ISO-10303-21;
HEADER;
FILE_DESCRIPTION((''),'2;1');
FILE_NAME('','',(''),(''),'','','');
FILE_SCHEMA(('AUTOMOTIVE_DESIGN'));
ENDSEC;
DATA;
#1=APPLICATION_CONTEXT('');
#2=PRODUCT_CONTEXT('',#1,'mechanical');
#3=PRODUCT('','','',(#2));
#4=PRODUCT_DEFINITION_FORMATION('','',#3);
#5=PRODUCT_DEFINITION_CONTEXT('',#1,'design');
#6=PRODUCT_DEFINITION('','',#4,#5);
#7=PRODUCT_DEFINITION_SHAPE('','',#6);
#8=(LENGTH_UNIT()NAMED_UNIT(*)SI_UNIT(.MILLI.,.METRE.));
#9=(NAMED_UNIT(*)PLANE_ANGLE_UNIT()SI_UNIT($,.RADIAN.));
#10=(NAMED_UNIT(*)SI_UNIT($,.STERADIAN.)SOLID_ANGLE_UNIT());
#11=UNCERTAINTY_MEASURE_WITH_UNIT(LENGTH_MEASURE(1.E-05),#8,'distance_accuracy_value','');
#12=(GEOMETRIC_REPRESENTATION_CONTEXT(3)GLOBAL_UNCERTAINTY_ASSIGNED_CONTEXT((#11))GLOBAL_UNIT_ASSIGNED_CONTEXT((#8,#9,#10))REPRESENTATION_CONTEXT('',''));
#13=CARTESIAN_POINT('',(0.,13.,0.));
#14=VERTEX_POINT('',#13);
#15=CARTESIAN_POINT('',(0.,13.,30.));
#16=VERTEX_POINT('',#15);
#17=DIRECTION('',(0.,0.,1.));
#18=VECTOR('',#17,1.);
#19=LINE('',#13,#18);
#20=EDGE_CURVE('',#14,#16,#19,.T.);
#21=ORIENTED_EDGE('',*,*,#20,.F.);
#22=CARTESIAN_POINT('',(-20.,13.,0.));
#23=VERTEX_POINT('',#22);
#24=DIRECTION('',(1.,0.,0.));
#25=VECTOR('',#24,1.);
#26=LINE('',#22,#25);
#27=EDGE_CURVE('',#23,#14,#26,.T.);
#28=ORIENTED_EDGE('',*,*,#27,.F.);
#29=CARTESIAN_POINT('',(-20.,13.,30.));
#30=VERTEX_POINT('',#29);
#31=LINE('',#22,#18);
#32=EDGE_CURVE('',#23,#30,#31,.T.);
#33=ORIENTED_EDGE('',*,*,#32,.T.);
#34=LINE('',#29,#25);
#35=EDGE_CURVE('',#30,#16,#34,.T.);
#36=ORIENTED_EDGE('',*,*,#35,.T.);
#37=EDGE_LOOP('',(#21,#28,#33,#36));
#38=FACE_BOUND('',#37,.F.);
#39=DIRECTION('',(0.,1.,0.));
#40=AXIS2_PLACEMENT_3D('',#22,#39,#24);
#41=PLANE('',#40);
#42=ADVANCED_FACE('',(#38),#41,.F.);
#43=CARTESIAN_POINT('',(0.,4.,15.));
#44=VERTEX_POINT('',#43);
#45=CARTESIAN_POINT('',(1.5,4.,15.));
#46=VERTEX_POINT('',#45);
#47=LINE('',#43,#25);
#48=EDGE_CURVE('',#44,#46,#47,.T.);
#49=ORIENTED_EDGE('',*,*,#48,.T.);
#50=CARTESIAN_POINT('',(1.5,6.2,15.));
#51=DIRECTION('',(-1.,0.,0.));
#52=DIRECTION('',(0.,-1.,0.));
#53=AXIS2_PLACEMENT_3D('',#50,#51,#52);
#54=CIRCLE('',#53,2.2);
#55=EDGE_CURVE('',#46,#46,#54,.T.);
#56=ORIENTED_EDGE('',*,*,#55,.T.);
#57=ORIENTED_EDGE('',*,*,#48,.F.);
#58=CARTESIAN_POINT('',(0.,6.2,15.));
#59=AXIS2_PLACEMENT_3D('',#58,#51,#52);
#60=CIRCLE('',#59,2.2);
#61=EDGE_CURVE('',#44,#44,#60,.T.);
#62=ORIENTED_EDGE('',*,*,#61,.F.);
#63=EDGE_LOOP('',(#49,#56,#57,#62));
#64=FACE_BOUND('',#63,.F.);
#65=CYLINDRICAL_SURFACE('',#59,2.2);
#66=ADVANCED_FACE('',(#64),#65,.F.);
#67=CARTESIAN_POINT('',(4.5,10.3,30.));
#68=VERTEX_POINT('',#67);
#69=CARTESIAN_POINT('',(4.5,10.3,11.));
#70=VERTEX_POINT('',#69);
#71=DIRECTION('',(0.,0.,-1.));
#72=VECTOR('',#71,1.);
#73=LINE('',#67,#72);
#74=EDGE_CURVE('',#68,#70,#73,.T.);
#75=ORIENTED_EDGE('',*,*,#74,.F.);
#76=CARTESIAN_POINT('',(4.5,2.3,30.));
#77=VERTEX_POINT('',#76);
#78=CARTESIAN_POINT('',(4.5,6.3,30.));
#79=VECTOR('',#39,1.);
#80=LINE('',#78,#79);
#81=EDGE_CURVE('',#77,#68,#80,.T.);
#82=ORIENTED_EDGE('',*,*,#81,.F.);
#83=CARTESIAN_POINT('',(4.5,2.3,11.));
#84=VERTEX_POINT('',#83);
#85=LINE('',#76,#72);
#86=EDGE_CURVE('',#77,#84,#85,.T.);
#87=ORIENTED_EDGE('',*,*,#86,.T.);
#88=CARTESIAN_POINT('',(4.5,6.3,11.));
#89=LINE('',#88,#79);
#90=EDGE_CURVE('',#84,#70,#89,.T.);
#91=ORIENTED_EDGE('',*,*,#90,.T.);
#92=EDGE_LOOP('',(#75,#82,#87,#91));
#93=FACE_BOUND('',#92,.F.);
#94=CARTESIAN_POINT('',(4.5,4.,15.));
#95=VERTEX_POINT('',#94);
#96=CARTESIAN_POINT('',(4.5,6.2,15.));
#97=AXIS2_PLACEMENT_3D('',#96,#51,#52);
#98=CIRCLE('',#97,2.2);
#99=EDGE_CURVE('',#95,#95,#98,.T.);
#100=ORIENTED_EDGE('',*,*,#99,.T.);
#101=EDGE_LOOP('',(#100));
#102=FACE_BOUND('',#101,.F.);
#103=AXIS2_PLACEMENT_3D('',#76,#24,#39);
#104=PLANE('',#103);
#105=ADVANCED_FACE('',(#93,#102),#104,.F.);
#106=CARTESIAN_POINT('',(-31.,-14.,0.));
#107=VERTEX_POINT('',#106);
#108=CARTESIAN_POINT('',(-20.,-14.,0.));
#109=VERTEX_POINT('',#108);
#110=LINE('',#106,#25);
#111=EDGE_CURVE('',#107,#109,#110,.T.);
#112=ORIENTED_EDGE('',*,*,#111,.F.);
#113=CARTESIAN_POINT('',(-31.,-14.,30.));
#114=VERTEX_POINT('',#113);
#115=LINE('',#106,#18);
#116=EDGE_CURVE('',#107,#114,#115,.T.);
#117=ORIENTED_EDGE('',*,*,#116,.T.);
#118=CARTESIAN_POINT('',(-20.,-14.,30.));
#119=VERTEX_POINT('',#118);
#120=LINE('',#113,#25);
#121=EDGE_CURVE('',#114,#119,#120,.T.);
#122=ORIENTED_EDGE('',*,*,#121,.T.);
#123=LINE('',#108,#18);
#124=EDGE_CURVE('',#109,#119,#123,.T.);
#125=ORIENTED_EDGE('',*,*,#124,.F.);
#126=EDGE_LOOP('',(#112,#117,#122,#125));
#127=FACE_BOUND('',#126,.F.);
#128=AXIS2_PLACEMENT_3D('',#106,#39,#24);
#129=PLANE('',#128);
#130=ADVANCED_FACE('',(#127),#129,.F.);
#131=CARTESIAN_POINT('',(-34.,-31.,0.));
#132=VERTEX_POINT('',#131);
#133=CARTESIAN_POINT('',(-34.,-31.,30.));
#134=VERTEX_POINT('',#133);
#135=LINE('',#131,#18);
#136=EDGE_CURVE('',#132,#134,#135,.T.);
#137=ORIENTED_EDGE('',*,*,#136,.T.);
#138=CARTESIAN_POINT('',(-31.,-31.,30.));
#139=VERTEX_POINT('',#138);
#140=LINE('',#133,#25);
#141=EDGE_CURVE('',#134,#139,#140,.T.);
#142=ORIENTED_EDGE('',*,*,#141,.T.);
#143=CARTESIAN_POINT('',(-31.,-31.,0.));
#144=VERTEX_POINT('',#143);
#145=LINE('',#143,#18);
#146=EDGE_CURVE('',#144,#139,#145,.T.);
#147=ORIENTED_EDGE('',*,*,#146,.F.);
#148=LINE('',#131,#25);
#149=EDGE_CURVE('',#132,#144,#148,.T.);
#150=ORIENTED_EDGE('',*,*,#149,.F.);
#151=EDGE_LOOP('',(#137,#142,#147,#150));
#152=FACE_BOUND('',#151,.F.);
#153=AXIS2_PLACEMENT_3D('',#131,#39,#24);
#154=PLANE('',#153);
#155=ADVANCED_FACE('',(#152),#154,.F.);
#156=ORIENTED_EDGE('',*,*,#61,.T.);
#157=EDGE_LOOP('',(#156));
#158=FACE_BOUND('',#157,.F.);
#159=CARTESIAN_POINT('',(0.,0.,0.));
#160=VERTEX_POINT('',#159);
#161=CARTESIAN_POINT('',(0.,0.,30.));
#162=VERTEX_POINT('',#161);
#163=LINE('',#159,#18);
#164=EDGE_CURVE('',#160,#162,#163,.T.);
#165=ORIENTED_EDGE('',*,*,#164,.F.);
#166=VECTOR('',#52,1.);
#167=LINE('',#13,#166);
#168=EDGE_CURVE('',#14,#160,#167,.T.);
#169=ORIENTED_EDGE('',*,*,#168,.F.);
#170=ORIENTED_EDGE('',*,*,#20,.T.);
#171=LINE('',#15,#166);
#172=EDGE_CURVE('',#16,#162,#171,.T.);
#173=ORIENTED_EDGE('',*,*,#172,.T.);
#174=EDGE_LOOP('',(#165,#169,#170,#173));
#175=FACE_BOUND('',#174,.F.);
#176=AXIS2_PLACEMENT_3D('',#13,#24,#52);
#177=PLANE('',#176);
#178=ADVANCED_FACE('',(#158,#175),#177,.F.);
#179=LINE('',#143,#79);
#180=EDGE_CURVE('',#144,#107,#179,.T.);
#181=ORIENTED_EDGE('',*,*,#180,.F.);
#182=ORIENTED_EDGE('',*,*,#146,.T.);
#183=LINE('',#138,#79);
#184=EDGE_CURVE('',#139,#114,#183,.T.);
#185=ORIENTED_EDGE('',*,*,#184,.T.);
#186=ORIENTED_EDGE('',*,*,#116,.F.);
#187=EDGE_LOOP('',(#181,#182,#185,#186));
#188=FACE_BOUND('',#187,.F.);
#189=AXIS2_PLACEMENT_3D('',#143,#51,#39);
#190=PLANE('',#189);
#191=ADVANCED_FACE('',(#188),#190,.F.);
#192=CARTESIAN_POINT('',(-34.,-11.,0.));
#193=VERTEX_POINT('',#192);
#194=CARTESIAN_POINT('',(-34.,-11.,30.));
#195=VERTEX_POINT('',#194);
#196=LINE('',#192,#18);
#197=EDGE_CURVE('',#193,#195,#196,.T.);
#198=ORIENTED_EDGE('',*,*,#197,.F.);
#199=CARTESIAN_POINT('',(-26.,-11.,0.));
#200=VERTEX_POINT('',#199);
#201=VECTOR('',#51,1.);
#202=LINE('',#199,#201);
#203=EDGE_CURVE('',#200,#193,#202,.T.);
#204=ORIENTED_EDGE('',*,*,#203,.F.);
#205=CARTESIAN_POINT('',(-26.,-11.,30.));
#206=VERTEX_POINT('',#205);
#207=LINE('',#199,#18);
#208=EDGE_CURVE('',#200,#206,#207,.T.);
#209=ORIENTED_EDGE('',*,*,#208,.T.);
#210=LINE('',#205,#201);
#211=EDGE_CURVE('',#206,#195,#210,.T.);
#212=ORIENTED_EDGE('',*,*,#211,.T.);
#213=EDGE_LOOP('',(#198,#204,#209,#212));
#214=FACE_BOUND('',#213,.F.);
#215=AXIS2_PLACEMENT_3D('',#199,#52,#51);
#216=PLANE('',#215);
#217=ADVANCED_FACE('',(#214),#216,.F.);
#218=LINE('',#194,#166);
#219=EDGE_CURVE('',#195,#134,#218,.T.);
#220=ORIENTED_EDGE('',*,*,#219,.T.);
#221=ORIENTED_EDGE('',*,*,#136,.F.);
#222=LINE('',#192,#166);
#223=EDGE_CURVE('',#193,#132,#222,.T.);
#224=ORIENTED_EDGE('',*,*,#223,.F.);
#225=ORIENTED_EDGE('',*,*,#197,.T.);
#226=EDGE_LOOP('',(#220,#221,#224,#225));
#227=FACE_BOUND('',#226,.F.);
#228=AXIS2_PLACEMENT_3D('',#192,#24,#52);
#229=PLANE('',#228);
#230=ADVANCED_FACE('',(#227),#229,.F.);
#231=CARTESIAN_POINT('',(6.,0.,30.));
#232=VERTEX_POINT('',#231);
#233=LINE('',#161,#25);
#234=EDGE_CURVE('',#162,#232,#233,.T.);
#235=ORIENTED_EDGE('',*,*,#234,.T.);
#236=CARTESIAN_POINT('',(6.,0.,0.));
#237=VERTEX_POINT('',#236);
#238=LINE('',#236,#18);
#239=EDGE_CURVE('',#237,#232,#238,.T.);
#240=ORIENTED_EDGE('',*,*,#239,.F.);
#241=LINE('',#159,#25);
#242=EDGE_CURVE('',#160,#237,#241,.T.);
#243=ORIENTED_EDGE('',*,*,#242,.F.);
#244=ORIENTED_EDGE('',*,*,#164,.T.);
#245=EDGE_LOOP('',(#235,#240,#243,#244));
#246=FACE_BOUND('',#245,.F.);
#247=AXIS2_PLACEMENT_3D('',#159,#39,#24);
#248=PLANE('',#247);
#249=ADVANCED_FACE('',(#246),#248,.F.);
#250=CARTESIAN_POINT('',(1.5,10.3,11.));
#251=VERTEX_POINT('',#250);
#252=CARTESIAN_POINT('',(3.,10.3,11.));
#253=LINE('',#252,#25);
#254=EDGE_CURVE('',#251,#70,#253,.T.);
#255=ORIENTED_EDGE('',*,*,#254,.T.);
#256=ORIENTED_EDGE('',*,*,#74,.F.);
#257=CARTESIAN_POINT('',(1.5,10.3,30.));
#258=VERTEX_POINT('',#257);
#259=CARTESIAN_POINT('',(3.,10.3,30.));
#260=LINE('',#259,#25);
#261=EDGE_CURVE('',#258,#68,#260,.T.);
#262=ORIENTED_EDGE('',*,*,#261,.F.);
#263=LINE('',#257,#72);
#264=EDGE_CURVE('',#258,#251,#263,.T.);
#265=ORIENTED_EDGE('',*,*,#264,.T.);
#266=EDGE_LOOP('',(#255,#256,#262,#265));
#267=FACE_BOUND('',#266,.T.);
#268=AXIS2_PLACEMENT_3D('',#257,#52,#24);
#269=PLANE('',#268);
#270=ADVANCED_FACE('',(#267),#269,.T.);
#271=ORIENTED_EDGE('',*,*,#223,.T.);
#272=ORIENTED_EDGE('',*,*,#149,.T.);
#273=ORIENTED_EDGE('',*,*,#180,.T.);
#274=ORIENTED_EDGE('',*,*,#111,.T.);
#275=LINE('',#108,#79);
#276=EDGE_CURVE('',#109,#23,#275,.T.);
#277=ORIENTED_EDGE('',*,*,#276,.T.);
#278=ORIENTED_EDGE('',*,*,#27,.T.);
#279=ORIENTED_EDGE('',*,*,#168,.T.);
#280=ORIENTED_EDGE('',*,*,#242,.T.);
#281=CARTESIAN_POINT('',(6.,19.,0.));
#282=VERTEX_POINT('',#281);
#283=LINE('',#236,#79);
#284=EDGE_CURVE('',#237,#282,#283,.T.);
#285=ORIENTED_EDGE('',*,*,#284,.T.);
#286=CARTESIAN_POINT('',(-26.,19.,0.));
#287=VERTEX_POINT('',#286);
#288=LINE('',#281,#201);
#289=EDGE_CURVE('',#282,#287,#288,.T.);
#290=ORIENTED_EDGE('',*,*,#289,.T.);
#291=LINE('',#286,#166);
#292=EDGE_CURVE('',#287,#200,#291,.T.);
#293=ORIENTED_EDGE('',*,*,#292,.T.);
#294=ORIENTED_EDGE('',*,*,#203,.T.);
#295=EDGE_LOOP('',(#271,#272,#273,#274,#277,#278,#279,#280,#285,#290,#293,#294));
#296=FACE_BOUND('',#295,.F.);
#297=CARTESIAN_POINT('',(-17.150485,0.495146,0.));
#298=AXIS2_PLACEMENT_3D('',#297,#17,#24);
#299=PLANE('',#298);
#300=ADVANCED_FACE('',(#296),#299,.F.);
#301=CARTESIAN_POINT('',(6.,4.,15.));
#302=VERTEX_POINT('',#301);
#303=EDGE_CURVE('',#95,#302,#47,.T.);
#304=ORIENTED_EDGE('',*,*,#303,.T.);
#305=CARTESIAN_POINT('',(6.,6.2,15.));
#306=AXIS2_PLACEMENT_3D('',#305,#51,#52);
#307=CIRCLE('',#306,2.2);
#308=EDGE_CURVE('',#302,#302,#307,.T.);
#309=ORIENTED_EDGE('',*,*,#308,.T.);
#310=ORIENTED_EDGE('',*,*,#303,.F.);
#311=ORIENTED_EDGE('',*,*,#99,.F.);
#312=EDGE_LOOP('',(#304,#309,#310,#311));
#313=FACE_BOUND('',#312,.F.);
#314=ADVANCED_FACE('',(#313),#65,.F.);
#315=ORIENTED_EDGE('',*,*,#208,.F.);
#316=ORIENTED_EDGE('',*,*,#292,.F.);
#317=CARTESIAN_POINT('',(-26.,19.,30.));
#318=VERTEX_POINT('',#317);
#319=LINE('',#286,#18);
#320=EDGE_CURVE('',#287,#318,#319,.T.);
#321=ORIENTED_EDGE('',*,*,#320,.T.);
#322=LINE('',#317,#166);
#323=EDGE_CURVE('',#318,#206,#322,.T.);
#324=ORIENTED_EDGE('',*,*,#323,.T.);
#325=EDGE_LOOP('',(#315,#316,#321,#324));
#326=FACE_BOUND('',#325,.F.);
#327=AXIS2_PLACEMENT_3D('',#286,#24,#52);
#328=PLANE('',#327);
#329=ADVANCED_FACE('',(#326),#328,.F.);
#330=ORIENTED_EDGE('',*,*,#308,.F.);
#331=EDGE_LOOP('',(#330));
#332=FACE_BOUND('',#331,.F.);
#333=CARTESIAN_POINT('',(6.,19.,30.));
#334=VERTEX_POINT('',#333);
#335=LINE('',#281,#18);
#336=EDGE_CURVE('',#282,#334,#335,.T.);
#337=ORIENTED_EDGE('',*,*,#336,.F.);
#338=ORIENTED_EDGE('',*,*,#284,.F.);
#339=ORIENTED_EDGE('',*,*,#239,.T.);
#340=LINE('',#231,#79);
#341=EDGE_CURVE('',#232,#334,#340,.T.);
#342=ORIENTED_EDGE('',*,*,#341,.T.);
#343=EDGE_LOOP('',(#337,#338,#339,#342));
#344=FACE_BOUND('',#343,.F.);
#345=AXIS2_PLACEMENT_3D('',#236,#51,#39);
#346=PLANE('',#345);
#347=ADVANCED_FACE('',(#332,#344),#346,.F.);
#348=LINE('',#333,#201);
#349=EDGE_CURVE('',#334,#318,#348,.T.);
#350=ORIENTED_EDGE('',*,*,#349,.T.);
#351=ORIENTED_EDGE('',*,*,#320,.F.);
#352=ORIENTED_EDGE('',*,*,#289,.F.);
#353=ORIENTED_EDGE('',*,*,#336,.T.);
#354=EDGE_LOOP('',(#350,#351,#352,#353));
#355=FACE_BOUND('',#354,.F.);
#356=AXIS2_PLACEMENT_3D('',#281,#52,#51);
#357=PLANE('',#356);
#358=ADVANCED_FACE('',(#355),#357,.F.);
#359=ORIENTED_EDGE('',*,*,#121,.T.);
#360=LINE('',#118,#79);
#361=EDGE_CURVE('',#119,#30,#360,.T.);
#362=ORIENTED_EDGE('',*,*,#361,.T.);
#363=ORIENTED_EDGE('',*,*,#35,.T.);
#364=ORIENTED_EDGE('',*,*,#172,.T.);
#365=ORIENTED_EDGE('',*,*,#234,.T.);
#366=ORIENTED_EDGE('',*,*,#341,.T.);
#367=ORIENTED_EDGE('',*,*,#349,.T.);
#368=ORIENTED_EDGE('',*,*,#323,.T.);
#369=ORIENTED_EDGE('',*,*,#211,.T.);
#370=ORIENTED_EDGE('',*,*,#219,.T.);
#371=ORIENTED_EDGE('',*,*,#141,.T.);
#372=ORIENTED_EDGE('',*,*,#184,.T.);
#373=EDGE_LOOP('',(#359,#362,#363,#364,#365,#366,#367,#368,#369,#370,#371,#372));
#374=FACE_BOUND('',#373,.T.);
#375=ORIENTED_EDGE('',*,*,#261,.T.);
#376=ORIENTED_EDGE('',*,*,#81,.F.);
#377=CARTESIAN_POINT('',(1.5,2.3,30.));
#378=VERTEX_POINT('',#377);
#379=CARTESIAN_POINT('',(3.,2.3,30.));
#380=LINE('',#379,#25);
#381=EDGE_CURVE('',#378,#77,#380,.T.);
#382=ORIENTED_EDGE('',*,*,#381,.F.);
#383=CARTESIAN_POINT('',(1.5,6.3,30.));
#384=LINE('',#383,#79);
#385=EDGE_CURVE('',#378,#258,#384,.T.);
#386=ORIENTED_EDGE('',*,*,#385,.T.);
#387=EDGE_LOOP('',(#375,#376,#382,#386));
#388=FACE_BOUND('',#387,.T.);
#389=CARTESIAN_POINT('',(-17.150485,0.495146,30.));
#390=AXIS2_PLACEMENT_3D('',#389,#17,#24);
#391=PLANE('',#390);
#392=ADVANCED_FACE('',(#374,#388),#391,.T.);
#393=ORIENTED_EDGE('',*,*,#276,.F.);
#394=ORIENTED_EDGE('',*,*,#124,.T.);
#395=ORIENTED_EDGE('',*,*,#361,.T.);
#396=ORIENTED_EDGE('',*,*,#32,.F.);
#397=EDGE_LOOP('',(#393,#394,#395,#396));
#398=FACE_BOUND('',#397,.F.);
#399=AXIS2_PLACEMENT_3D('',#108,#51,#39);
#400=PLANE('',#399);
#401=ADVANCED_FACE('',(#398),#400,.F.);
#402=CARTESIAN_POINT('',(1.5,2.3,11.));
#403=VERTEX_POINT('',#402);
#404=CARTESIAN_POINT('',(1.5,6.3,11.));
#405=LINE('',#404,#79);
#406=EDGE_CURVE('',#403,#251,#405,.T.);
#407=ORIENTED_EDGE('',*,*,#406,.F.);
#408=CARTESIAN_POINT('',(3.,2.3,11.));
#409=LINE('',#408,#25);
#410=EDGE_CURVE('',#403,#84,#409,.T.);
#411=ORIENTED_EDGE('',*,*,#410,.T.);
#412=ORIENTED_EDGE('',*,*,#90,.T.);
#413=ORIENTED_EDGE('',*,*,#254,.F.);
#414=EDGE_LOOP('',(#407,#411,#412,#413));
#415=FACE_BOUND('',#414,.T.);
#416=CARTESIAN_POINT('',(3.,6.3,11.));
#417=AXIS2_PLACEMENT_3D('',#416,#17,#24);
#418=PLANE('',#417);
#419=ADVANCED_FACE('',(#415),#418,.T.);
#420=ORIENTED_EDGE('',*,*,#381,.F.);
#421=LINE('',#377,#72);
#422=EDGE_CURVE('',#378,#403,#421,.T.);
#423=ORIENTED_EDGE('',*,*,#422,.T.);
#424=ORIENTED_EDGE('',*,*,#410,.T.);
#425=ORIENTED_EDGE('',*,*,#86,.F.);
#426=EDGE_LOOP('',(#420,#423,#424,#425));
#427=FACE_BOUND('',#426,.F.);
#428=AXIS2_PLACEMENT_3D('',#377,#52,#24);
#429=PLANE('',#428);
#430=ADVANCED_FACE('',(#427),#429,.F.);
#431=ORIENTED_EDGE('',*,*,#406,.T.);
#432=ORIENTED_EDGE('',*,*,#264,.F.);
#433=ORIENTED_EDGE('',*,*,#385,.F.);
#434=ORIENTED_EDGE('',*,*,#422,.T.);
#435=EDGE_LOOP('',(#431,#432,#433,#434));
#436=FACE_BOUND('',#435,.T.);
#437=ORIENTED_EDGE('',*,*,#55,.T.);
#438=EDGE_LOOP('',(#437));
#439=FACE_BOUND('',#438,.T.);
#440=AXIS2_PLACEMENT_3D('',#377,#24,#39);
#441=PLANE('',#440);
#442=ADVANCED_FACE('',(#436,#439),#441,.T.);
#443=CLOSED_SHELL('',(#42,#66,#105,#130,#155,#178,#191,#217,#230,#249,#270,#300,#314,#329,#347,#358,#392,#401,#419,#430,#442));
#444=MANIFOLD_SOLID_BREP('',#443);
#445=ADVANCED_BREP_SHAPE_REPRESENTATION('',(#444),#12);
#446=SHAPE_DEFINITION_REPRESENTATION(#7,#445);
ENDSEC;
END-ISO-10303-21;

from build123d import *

# Parameters (mm, degrees)
F3_DEPTH = 30
F4_R     = 2.2
F5_DEPTH = 6
F6_W     = 3
F6_H     = 8
F7_DEPTH = 19


with BuildPart() as f3:
    # F2 (on Top) → F3 (new body)
    with BuildSketch(Plane.XY):
        Polygon((0, 13), (0, 0), (6, 0), (6, 19), (-26, 19), (-26, -11), (-34, -11), (-34, -31), (-31, -31), (-31, -14), (-20, -14), (-20, 13), align=None)
    extrude(amount=F3_DEPTH)

    # F4 (on face) → F5 (cut)
    with BuildSketch(Plane(origin=(0, 0, 0), x_dir=(0, -1, 0), z_dir=(-1, 0, 0))):
        with Locations((-6.2, 15)):
            Circle(F4_R)
    extrude(amount=-F5_DEPTH, mode=Mode.SUBTRACT)

    # F6 (on face) → F7 (cut)
    with BuildSketch(Plane.XY.offset(30)):
        with Locations((3, 6.3)):
            Rectangle(F6_W, F6_H)
    extrude(amount=-F7_DEPTH, mode=Mode.SUBTRACT)


solid = f3.part
